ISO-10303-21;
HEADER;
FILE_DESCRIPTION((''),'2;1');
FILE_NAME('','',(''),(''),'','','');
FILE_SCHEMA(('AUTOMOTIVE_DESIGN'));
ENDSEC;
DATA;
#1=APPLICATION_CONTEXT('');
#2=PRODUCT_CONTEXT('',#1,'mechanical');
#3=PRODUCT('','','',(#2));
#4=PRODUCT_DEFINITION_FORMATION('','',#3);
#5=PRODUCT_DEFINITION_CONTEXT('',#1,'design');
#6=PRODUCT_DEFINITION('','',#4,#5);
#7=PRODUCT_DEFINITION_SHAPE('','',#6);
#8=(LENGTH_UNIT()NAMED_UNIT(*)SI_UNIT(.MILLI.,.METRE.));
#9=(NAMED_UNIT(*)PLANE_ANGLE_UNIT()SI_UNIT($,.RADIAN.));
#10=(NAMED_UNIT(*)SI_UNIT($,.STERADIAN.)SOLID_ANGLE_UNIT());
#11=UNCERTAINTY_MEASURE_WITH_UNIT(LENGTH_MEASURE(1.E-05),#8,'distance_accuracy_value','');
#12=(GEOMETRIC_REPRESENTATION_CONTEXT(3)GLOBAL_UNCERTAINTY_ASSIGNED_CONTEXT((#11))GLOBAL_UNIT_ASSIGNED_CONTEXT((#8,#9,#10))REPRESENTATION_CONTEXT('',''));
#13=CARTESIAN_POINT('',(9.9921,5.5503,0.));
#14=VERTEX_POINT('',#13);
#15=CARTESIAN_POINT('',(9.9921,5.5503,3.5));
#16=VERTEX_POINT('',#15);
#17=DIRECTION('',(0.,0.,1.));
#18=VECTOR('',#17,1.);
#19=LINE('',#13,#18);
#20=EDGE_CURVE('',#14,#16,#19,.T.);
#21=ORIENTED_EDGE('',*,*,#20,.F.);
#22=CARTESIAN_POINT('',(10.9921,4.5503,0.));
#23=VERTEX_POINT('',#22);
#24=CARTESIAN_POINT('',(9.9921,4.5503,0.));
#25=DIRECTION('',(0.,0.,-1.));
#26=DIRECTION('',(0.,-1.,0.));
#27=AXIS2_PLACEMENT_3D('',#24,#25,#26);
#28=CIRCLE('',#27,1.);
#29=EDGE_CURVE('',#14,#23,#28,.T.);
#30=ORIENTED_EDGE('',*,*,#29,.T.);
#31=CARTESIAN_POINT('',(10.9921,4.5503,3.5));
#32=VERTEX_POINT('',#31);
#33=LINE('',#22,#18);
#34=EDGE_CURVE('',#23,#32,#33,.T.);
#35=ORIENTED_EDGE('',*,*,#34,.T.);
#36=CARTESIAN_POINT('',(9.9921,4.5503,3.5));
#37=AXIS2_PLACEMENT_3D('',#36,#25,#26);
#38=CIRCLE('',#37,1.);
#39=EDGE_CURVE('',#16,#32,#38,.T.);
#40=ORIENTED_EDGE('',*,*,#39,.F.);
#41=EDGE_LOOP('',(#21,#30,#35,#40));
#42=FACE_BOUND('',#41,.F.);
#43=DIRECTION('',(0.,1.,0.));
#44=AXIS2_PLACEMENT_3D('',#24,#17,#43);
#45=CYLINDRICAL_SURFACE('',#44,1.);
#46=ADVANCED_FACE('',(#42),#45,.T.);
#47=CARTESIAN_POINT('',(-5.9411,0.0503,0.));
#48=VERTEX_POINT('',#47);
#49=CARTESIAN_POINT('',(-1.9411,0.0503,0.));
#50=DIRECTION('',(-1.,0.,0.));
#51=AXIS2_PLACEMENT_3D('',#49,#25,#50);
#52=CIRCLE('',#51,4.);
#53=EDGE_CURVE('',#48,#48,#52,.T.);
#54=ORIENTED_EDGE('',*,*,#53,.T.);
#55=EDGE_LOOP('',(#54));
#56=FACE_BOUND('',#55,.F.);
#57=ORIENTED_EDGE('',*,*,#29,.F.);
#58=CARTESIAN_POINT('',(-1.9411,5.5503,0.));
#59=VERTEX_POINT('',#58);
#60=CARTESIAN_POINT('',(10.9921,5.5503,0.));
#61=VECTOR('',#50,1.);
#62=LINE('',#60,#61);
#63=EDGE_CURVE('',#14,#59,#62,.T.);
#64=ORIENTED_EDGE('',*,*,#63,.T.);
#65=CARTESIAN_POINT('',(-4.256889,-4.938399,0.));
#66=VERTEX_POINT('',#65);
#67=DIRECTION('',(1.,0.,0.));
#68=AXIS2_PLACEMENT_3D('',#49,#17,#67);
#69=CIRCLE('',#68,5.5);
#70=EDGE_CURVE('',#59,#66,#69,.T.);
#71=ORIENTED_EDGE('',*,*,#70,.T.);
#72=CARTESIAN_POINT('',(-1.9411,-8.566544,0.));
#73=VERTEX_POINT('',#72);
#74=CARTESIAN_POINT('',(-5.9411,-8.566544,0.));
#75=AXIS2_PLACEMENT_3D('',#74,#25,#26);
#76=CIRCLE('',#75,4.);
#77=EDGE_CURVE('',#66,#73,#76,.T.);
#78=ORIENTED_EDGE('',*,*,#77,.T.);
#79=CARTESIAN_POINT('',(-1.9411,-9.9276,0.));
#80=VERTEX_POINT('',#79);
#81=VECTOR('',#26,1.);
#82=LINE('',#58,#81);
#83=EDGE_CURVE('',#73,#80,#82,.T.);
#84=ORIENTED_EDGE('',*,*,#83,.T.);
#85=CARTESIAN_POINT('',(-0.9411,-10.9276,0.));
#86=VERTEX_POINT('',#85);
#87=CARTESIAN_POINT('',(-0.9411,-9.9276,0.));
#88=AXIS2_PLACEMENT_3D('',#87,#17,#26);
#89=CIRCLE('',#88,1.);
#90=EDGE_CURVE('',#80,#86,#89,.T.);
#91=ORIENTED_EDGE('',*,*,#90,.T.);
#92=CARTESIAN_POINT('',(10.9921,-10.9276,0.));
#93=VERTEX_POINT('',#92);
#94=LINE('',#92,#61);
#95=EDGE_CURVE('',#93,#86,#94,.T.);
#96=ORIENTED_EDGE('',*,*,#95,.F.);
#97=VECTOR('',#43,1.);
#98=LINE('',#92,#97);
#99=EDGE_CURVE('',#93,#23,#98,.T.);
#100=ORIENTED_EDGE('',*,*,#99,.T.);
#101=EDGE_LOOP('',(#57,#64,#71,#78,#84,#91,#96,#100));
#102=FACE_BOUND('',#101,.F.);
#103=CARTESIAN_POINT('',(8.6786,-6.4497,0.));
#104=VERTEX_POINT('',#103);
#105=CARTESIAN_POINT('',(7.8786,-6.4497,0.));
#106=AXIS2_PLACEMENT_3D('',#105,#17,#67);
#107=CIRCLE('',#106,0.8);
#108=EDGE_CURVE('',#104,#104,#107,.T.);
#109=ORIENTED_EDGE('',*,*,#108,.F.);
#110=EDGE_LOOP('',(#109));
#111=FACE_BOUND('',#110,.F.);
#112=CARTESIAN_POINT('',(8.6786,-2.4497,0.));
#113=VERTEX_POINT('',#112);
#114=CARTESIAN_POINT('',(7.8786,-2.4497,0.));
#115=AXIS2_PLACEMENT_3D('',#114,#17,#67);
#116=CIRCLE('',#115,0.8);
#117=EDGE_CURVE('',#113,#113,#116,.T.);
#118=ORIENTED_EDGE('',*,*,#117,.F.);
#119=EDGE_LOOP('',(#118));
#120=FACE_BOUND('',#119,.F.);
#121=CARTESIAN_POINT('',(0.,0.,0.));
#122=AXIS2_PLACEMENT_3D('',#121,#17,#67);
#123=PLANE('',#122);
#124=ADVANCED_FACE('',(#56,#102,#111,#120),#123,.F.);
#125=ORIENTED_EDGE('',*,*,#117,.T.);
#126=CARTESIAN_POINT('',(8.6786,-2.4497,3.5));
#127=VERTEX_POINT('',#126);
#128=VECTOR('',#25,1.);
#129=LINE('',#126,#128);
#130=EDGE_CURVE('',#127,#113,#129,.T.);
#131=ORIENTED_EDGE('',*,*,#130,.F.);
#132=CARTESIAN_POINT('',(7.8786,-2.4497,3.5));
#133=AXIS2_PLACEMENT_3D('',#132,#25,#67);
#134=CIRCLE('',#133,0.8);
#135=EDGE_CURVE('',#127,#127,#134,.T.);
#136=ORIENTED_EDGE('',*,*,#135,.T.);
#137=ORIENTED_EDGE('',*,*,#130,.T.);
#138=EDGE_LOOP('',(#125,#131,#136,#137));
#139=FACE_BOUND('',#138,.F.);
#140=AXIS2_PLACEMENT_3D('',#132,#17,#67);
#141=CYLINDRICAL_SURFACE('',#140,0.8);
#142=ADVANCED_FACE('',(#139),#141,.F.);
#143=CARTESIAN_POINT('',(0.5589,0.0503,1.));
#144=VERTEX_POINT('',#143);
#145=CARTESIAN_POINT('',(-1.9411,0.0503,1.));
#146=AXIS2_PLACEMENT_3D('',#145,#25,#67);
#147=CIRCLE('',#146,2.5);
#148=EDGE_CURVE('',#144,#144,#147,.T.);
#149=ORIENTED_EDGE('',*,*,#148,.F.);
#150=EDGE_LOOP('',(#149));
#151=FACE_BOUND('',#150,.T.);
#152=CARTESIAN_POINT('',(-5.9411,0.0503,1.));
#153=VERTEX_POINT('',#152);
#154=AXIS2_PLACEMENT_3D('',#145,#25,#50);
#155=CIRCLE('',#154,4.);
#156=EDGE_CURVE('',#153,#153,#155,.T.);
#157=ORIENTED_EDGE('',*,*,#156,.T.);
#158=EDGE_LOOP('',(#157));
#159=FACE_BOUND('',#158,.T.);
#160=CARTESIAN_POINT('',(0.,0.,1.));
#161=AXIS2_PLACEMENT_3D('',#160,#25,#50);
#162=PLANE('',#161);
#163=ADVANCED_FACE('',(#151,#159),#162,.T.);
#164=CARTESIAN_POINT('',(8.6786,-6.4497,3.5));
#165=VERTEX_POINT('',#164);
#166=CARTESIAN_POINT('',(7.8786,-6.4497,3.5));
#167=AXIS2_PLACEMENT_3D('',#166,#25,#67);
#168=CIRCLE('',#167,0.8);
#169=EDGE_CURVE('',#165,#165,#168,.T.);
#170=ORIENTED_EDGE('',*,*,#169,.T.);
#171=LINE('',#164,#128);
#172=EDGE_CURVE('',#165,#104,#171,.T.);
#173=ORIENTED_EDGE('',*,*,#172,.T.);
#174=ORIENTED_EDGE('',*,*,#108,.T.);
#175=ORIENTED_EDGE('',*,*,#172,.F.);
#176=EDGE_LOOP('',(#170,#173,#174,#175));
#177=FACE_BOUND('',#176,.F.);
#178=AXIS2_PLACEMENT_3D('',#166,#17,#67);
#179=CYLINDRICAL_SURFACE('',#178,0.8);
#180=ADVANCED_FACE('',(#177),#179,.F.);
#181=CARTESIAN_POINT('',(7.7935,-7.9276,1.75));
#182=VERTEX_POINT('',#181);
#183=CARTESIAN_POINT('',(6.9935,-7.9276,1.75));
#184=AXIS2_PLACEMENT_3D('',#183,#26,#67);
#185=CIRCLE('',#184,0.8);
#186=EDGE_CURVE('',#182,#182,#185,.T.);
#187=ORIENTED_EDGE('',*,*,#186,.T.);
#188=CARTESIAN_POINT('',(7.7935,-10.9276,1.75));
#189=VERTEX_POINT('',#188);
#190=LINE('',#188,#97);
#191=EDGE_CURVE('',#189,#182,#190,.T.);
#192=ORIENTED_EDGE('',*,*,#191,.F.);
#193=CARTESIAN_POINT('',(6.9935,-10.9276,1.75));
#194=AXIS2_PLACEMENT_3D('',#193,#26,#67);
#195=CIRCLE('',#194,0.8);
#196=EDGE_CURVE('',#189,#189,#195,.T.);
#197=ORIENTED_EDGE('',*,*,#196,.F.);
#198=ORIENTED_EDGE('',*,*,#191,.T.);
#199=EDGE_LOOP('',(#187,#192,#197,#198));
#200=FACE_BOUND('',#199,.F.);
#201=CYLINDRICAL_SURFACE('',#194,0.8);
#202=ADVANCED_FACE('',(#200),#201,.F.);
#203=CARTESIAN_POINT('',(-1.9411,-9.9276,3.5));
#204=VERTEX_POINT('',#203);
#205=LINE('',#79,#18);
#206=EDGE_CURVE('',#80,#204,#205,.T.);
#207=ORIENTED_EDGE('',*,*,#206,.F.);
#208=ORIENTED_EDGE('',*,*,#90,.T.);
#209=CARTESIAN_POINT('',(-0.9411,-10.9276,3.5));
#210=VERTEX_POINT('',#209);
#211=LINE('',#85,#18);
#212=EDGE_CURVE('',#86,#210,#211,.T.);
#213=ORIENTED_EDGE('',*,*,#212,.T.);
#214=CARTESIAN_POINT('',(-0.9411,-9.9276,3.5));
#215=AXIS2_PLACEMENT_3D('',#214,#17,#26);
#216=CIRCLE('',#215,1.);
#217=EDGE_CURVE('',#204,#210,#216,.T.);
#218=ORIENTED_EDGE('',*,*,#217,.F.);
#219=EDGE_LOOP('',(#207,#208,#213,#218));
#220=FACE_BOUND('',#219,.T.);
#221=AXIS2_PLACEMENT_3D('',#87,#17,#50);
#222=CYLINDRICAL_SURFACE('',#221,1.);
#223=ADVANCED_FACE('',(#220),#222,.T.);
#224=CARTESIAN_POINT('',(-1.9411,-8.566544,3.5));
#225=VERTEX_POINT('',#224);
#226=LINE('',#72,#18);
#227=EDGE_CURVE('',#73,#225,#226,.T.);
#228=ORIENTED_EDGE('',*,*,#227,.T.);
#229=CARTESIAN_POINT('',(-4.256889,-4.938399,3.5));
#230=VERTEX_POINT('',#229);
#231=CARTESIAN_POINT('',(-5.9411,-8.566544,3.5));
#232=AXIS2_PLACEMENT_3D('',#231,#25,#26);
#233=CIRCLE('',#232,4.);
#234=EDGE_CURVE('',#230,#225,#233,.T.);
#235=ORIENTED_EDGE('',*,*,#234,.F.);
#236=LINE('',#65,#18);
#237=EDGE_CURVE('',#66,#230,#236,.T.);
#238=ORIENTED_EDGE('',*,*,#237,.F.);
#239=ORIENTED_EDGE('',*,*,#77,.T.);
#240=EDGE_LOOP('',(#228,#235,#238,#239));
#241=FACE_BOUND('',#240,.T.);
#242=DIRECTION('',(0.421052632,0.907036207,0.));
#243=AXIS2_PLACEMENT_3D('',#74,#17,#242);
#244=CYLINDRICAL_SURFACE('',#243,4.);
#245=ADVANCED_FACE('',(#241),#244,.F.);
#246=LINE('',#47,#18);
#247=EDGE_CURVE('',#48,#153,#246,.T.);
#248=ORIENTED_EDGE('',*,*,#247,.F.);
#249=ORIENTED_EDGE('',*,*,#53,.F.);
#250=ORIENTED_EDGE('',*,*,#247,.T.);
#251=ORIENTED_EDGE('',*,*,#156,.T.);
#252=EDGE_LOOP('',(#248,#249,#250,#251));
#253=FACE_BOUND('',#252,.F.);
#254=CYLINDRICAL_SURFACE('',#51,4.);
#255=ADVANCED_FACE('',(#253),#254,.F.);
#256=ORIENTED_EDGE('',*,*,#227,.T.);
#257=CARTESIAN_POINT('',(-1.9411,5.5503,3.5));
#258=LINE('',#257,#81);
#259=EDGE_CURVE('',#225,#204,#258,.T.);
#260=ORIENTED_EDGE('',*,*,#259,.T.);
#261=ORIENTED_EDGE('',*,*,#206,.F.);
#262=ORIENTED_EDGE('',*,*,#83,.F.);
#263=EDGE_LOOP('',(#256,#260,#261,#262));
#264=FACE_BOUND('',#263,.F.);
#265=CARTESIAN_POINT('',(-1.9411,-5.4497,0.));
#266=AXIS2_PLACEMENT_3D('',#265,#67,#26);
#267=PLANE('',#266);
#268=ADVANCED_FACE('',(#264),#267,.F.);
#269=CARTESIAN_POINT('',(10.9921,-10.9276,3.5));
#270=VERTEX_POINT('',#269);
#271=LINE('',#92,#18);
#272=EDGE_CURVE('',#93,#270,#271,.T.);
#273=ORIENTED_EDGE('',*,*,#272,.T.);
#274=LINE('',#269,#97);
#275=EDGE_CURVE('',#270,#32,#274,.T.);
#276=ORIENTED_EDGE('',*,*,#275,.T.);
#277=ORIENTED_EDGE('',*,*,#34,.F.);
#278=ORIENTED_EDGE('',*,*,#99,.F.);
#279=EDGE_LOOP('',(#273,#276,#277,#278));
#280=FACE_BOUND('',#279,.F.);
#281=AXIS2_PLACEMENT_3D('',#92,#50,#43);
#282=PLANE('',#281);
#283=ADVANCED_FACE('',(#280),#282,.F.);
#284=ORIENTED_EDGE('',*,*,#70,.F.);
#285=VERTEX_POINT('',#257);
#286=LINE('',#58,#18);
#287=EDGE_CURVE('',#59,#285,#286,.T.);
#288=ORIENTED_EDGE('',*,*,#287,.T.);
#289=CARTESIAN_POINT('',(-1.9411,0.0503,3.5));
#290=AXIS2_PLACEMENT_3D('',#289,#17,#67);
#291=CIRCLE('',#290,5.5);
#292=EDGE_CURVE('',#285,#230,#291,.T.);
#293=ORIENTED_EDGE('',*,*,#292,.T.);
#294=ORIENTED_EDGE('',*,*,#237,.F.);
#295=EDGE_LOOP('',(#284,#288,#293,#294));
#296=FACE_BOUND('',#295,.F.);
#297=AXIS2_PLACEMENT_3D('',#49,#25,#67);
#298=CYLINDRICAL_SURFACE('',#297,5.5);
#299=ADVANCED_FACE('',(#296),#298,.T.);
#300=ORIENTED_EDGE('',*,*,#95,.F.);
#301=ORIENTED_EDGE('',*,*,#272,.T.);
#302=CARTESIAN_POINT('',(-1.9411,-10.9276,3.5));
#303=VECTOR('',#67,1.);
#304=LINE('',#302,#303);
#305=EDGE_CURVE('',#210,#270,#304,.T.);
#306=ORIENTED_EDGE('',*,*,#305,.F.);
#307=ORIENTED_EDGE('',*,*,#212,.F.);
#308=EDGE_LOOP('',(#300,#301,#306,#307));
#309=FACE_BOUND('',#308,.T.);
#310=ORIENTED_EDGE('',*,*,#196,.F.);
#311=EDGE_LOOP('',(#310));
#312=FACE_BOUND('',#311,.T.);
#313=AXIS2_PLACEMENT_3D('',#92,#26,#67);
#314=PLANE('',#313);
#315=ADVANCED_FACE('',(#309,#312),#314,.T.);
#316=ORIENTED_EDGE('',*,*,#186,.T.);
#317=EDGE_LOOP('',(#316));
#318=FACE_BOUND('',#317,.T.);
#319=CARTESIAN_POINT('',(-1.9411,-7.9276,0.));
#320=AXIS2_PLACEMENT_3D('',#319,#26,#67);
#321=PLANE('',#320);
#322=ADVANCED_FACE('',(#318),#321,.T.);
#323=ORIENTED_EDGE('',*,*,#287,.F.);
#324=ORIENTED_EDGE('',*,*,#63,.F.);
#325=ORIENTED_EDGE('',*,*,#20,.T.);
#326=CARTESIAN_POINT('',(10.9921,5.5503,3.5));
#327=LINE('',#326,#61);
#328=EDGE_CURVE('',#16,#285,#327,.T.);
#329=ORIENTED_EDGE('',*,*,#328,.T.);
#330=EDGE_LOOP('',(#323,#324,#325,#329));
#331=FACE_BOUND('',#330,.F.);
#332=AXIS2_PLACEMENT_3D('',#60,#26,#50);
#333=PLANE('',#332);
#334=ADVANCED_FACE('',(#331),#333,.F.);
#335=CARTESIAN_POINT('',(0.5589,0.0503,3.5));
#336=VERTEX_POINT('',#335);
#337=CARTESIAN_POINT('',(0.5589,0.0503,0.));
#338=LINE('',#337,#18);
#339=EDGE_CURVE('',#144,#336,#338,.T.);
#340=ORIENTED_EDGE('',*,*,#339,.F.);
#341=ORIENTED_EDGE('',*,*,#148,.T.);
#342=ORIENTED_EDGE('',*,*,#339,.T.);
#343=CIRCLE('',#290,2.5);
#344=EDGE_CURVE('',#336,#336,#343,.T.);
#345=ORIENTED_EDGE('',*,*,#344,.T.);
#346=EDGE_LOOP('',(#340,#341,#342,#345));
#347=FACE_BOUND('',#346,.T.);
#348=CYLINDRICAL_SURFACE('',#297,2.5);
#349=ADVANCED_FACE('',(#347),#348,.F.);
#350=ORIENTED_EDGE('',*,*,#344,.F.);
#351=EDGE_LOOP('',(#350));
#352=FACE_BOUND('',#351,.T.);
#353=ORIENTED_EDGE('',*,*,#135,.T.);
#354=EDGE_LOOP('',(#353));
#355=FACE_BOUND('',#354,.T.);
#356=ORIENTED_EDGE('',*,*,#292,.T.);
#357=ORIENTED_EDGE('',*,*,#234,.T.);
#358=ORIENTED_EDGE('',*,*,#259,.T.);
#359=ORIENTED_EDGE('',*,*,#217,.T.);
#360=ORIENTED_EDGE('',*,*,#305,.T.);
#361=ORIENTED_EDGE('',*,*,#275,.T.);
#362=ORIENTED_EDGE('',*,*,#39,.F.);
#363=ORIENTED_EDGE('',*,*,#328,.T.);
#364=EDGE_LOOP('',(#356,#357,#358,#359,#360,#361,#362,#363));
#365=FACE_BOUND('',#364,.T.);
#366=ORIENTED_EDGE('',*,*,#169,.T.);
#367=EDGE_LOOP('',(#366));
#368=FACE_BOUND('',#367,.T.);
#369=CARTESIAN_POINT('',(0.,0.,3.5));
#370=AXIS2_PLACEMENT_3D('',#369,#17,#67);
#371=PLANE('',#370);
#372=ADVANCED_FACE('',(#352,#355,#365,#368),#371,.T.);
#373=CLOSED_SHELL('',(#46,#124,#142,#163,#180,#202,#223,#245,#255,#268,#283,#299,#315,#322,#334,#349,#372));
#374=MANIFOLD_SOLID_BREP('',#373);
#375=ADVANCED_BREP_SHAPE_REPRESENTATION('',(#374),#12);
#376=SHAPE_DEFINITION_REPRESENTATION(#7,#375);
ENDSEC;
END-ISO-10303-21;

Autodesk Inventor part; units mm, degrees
ref_plane "YZ Plane" through (0, 0, 0) normal (1, 0, 0) x (0, 1, 0)
ref_plane "XZ Plane" through (0, 0, 0) normal (0, 1, 0) x (-1, 0, 0)
ref_plane "XY Plane" through (0, 0, 0) normal (0, 0, 1) x (1, 0, 0)
sketch "草图1" plane through (0, 0, 0) normal (0, 0, 1) x (1, 0, 0)
  circle A0 centre (-1.9411, 0.0503) radius 2.5
  line L0 (4.3454, -10.9196) -> (9.6453, -10.9355) projected
  circle A1 centre (-1.9411, 0.0503) radius 5.5
  line L1 (-1.9411, -10.9276) -> (10.9921, -10.9276)
  line L2 (10.9921, -10.9276) -> (10.9921, 5.5503)
  line L3 (10.9921, 5.5503) -> (-1.9411, 5.5503)
  line L4 (-1.9411, 5.5503) -> (-1.9411, -10.9276)
  point P0 (6.9953, -10.9276)
  point P1 (-1.9411, 5.5503)
  point P2 (-1.9411, -5.4497)
  dimension "d3" = 3
  dimension "d5" = 5
extrude "拉伸1" add sketch "草图1" along normal blind 3.5 contours A0 L4 A1 | A0 L4 A1 | L3 L2 L1 L4 A1
fillet "圆角1" radius 4 1 edges at (-1.9411, -5.4497, 1.75)
sketch "草图2" plane through (0, 0, 0) normal (0, 0, -1) x (-1, 0, 0)
  point P0 (0, 0)
sketch "草图3" plane through (0, 0, 0) normal (0, 0, -1) x (-1, 0, 0)
  circle A0 centre (1.9411, 0.0503) radius 2.5 projected
  circle A1 centre (1.9411, 0.0503) radius 4
  point P0 (0, 0)
  dimension "d6" = 8
extrude "拉伸2" cut sketch "草图3" against normal blind 1 contours A0 | A1
sketch "草图4" plane through (-1.9411, -10.9276, 0) normal (0, -1, 0) x (1, 0, 0)
  ellipse E0 centre (8.9346, 1.75) end of major axis (8.9346, 0.85) minor radius 0.9 projected
  point P0 (1.9411, 0)
extrude "拉伸3" cut sketch "草图4" against normal blind 3
fillet "圆角2" radius 1 2 edges at (10.9921, 5.5503, 1.75) (-1.9411, -10.9276, 1.75)
sketch "草图5" plane through (0, 0, 3.5) normal (0, 0, 1) x (1, 0, 0)
  line L0 (15.1126, -4.4497) -> (15.1126, -8.4497) projected
  line L1 (5.3617, -4.4497) -> (15.1126, -4.4497) projected
  line L2 (5.3617, -8.4497) -> (5.3617, -4.4497) projected
  line L3 (5.3617, -8.4497) -> (15.1126, -8.4497) projected
  line L4 (5.3617, -6.4497) -> (10.3955, -6.4497)
  circle A0 centre (7.8786, -6.4497) radius 0.8
  circle A1 centre (7.8786, -6.4497) radius 1 projected
  point P0 (0, 0)
  dimension "d12" = 1.6
extrude "拉伸4" cut sketch "草图5" against normal blind 5.5 contours A0 L4 | L4 A0
sketch "草图6" plane through (0, 0, 3.5) normal (0, 0, 1) x (1, 0, 0)
  circle A0 centre (7.8786, -2.4497) radius 0.8
  circle A1 centre (7.8786, -6.4497) radius 0.8 projected
  line L0 (7.8786, -6.4497) -> (7.8786, 5.5503)
  line L1 (9.9921, 5.5503) -> (-1.9411, 5.5503) projected
  point P0 (0, 0)
  dimension "d17" = 1.6
extrude "拉伸5" cut sketch "草图6" against normal blind 10 contours A0 L0 | L0 A0
sketch "草图7" plane through (10.9921, -10.9276, 0) normal (0, -1, 0) x (1, 0, 0)
  ellipse E0 centre (-3.9986, 1.75) end of major axis (-3.9986, 0.85) minor radius 0.9 projected
  circle A0 centre (-3.9986, 1.75) radius 0.8
  point P0 (-10.9921, 0)
  dimension "d18" = 1.6
extrude "拉伸6" add sketch "草图7" against normal up to surface (3 mm away)
properties part number "针头装配体"
